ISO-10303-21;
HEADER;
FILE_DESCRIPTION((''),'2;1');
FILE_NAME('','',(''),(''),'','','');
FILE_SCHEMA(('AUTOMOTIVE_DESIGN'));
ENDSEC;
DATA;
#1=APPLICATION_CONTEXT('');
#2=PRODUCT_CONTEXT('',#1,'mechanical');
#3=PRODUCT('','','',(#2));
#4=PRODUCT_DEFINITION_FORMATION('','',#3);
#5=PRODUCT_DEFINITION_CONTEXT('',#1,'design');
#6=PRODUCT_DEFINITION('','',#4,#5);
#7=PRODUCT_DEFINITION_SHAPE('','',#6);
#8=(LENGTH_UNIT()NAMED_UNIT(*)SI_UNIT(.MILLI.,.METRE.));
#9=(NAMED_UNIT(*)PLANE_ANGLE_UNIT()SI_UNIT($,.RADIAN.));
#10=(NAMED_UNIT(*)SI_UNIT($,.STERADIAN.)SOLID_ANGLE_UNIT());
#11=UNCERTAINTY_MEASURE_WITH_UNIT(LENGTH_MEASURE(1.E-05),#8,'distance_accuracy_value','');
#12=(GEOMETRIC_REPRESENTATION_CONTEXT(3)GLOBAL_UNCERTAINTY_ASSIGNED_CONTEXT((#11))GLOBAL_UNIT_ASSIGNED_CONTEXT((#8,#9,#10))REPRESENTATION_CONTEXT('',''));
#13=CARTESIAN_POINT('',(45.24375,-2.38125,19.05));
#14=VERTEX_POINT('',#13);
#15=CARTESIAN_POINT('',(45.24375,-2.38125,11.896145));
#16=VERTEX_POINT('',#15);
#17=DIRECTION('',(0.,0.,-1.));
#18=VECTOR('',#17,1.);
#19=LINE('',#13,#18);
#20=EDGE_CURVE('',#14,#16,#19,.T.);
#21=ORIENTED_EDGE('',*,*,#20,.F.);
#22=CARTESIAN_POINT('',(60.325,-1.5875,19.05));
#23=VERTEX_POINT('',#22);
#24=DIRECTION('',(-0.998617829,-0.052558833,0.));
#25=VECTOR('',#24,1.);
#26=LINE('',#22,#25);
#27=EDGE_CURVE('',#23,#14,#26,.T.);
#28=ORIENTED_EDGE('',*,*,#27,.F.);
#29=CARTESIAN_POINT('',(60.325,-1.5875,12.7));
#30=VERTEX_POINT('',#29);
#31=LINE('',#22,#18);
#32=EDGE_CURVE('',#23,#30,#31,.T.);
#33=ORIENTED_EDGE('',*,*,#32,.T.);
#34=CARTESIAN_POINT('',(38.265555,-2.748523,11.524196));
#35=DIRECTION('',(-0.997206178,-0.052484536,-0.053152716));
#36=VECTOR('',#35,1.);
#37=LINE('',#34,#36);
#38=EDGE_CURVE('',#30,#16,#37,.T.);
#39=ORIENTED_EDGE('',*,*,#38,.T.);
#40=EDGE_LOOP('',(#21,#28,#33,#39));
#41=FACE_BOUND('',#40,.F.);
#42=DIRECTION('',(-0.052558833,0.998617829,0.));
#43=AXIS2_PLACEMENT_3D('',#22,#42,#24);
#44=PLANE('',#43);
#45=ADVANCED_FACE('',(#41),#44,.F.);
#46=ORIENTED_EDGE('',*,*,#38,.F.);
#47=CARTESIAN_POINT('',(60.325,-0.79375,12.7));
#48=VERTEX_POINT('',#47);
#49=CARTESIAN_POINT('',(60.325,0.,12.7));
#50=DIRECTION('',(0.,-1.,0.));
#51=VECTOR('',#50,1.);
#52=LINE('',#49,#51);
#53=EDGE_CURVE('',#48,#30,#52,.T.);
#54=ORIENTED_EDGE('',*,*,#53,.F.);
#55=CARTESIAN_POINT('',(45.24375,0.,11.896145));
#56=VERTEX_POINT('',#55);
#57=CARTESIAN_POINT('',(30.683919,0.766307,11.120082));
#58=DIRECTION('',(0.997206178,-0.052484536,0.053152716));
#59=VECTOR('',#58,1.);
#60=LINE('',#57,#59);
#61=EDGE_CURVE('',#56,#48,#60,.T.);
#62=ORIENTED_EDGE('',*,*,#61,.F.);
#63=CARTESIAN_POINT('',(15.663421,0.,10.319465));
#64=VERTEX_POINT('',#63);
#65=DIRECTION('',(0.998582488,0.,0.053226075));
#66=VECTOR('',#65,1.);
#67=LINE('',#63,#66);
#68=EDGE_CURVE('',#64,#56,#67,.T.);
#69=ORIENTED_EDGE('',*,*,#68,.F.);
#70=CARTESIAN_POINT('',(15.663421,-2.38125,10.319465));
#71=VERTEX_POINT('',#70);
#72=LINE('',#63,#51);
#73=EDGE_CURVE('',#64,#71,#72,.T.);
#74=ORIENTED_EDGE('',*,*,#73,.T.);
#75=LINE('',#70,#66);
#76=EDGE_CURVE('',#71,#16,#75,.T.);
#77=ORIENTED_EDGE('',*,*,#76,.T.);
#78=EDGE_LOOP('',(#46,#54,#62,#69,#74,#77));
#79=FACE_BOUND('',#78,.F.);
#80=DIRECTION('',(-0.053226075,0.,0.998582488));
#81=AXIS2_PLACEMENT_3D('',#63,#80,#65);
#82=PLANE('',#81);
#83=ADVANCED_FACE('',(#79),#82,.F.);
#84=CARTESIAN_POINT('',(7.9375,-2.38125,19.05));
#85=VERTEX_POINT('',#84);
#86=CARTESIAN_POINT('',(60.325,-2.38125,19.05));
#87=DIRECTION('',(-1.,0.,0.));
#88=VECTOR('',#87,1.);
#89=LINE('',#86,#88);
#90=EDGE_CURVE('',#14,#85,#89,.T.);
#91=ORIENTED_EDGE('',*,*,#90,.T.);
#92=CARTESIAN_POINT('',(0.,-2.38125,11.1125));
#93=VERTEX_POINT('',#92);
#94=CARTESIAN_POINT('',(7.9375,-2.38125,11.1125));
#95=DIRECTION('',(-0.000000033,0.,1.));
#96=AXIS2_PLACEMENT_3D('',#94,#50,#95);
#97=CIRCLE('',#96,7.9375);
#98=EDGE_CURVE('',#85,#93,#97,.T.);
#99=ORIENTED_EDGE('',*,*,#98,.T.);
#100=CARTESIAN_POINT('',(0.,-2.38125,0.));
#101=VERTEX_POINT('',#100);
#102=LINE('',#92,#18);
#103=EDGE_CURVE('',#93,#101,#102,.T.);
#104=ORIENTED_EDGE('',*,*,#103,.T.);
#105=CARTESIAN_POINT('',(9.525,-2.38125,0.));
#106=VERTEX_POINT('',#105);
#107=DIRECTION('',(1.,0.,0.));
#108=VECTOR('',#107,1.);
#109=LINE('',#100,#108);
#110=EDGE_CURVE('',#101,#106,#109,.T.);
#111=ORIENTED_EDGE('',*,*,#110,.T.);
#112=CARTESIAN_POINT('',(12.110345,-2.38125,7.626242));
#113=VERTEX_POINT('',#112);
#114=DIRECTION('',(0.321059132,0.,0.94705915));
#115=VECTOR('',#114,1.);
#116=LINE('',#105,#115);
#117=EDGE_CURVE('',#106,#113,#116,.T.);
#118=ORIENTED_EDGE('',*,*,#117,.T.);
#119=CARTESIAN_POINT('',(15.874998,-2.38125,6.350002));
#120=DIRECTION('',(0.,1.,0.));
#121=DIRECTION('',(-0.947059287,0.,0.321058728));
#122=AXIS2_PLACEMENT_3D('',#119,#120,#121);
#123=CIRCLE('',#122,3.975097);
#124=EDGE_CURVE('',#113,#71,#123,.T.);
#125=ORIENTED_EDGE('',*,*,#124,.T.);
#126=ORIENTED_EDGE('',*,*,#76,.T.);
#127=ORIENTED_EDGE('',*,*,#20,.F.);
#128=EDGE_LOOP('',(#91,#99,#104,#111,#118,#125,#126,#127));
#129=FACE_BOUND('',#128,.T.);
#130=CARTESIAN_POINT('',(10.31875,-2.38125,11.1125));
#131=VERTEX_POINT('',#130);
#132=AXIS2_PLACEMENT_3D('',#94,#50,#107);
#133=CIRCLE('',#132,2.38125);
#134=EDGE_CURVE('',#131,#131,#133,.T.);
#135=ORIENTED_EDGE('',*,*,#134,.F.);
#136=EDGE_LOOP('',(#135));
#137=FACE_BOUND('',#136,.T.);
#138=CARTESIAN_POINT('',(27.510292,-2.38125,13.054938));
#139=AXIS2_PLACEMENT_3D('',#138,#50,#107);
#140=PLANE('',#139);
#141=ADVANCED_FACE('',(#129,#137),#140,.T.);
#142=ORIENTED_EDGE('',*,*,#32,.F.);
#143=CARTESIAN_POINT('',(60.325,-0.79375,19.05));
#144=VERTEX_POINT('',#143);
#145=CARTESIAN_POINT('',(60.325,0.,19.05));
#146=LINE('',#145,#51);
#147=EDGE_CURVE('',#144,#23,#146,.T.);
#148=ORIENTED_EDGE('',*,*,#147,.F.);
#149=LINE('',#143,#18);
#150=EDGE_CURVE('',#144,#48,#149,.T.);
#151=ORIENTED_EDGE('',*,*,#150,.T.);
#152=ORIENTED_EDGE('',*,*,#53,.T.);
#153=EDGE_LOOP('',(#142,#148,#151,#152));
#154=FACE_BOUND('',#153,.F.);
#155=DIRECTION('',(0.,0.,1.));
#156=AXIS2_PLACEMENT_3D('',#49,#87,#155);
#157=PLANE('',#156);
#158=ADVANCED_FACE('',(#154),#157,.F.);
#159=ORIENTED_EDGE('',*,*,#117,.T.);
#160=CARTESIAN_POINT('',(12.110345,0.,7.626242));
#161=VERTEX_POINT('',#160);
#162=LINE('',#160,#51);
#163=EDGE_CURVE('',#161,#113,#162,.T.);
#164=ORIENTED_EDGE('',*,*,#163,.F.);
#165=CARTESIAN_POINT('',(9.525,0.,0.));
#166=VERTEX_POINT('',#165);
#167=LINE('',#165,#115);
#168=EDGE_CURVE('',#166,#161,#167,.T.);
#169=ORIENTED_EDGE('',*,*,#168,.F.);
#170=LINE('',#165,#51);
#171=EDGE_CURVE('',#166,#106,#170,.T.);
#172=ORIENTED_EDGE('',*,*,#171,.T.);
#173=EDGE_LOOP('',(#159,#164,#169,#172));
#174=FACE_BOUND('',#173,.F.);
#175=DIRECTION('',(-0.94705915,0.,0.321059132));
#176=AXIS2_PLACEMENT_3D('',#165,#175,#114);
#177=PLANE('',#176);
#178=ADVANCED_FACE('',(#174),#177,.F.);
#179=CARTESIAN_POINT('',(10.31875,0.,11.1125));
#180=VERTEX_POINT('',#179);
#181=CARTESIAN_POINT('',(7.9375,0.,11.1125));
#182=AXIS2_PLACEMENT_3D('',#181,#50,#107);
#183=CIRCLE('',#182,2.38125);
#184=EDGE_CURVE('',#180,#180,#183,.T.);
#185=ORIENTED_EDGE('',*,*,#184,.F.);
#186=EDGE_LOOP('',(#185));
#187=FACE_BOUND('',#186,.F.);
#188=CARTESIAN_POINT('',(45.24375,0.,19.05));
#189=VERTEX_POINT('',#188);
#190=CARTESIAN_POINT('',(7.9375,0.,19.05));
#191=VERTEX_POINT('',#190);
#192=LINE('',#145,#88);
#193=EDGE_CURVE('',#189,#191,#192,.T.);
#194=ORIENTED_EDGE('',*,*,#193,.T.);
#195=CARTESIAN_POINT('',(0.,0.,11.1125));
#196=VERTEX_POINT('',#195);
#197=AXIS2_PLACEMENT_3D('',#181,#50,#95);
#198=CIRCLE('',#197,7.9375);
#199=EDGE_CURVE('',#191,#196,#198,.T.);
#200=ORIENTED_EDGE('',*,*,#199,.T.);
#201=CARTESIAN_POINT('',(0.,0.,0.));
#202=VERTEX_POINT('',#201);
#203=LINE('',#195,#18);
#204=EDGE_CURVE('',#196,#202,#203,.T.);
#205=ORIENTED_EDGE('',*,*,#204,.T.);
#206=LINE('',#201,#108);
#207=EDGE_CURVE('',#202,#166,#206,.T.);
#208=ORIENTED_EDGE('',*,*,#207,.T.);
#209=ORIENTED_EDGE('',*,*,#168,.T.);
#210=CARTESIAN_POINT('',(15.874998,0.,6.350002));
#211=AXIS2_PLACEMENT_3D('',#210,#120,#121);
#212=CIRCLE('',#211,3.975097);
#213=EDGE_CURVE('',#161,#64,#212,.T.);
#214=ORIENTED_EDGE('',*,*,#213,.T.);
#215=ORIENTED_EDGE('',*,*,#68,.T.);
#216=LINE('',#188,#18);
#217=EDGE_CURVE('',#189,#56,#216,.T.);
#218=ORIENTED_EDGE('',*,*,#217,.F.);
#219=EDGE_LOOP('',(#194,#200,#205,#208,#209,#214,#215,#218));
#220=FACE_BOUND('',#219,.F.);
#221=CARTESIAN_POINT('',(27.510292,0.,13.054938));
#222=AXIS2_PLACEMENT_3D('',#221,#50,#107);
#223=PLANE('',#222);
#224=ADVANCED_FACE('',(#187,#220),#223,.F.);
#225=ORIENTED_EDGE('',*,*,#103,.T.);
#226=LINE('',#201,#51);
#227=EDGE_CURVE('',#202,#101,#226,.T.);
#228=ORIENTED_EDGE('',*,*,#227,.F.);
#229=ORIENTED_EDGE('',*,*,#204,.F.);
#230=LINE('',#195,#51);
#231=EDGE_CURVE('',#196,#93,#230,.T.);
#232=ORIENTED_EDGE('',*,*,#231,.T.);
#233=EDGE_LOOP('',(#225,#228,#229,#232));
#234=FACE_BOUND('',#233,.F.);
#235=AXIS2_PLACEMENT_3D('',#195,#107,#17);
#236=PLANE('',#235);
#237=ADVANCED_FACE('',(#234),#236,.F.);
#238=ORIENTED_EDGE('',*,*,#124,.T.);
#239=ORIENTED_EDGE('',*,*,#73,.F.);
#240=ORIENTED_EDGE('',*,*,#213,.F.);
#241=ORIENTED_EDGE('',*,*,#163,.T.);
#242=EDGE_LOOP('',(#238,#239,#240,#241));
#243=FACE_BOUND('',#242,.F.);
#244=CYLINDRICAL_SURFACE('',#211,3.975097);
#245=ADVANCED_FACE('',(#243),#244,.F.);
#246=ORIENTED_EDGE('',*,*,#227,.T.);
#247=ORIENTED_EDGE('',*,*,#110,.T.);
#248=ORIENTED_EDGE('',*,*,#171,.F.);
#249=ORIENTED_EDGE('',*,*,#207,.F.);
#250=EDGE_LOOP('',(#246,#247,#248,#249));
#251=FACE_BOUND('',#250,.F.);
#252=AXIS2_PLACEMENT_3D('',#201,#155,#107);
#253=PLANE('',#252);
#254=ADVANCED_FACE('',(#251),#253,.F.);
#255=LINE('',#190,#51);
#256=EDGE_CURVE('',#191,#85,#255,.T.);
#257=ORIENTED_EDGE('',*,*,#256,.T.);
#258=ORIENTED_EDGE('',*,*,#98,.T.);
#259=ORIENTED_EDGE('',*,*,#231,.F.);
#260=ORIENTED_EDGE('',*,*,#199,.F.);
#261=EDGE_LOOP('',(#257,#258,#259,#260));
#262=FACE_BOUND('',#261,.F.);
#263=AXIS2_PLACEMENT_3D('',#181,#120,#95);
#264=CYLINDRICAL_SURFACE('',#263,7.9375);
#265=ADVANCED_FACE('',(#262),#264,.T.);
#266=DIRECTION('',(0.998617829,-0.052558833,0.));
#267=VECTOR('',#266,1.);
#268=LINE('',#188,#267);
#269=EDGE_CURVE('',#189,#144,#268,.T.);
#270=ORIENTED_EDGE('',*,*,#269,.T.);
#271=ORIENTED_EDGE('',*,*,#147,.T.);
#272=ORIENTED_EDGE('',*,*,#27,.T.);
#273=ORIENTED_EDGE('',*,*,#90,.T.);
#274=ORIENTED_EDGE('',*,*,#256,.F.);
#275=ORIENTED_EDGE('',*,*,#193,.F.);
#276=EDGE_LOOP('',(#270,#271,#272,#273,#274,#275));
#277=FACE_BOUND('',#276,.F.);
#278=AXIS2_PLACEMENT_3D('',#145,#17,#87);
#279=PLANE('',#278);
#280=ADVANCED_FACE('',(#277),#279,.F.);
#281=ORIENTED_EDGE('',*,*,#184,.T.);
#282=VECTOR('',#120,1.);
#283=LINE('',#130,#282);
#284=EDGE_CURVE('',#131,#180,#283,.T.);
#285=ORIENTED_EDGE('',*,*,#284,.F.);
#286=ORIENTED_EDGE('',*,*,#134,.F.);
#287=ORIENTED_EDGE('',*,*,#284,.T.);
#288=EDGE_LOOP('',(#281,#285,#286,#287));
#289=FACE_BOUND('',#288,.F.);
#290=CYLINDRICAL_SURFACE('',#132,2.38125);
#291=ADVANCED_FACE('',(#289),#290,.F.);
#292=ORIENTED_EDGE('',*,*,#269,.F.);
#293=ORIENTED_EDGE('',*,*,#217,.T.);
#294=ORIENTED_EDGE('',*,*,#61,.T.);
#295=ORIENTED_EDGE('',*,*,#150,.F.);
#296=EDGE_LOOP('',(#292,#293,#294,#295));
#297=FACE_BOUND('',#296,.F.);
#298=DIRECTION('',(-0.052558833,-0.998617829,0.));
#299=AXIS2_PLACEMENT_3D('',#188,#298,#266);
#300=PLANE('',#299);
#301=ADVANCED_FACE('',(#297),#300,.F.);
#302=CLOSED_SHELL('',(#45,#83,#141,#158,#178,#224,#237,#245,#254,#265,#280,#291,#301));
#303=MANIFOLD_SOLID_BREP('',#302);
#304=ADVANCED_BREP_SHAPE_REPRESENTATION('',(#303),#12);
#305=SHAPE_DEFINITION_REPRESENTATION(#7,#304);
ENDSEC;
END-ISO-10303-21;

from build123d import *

# Parameters (mm, degrees)
F1_DEPTH = 2.38125
F2_R     = 2.38125
F3_DEPTH = 2.38225
F5_DEPTH = 25.4


with BuildPart() as f1:
    # F0 (on Front) → F1 (new body)
    with BuildSketch(Plane.XZ):
        with BuildLine():
            Line((60.325, 19.05), (7.9375, 19.05))
            ThreePointArc((7.9375, 19.05), (2.32484, 16.72516), (0, 11.1125))
            Line((0, 11.1125), (0, 0))
            Line((0, 0), (9.525, 0))
            Line((9.525, 0), (12.110345, 7.626242))
            ThreePointArc((12.110345, 7.626242), (13.473756, 9.517878), (15.663421, 10.319465))
            Line((15.663421, 10.319465), (60.325, 12.7))
            Line((60.325, 12.7), (60.325, 19.05))
        make_face()
    extrude(amount=F1_DEPTH)

    # F2 (on face) → F3 (cut, through all)
    with BuildSketch(Plane.XZ.offset(2.38125)):
        with Locations((7.9375, 11.1125)):
            Circle(F2_R)
    extrude(amount=-F3_DEPTH, mode=Mode.SUBTRACT)

    # F4 (on face) → F5 (cut)
    with BuildSketch(Plane.XY.offset(19.05)):
        Polygon((60.325, 0), (45.24375, 0), (60.325, -0.79375), align=None)
        Polygon((60.325, -2.38125), (60.325, -1.5875), (45.24375, -2.38125), align=None)
    extrude(amount=-F5_DEPTH, mode=Mode.SUBTRACT)


solid = f1.part
